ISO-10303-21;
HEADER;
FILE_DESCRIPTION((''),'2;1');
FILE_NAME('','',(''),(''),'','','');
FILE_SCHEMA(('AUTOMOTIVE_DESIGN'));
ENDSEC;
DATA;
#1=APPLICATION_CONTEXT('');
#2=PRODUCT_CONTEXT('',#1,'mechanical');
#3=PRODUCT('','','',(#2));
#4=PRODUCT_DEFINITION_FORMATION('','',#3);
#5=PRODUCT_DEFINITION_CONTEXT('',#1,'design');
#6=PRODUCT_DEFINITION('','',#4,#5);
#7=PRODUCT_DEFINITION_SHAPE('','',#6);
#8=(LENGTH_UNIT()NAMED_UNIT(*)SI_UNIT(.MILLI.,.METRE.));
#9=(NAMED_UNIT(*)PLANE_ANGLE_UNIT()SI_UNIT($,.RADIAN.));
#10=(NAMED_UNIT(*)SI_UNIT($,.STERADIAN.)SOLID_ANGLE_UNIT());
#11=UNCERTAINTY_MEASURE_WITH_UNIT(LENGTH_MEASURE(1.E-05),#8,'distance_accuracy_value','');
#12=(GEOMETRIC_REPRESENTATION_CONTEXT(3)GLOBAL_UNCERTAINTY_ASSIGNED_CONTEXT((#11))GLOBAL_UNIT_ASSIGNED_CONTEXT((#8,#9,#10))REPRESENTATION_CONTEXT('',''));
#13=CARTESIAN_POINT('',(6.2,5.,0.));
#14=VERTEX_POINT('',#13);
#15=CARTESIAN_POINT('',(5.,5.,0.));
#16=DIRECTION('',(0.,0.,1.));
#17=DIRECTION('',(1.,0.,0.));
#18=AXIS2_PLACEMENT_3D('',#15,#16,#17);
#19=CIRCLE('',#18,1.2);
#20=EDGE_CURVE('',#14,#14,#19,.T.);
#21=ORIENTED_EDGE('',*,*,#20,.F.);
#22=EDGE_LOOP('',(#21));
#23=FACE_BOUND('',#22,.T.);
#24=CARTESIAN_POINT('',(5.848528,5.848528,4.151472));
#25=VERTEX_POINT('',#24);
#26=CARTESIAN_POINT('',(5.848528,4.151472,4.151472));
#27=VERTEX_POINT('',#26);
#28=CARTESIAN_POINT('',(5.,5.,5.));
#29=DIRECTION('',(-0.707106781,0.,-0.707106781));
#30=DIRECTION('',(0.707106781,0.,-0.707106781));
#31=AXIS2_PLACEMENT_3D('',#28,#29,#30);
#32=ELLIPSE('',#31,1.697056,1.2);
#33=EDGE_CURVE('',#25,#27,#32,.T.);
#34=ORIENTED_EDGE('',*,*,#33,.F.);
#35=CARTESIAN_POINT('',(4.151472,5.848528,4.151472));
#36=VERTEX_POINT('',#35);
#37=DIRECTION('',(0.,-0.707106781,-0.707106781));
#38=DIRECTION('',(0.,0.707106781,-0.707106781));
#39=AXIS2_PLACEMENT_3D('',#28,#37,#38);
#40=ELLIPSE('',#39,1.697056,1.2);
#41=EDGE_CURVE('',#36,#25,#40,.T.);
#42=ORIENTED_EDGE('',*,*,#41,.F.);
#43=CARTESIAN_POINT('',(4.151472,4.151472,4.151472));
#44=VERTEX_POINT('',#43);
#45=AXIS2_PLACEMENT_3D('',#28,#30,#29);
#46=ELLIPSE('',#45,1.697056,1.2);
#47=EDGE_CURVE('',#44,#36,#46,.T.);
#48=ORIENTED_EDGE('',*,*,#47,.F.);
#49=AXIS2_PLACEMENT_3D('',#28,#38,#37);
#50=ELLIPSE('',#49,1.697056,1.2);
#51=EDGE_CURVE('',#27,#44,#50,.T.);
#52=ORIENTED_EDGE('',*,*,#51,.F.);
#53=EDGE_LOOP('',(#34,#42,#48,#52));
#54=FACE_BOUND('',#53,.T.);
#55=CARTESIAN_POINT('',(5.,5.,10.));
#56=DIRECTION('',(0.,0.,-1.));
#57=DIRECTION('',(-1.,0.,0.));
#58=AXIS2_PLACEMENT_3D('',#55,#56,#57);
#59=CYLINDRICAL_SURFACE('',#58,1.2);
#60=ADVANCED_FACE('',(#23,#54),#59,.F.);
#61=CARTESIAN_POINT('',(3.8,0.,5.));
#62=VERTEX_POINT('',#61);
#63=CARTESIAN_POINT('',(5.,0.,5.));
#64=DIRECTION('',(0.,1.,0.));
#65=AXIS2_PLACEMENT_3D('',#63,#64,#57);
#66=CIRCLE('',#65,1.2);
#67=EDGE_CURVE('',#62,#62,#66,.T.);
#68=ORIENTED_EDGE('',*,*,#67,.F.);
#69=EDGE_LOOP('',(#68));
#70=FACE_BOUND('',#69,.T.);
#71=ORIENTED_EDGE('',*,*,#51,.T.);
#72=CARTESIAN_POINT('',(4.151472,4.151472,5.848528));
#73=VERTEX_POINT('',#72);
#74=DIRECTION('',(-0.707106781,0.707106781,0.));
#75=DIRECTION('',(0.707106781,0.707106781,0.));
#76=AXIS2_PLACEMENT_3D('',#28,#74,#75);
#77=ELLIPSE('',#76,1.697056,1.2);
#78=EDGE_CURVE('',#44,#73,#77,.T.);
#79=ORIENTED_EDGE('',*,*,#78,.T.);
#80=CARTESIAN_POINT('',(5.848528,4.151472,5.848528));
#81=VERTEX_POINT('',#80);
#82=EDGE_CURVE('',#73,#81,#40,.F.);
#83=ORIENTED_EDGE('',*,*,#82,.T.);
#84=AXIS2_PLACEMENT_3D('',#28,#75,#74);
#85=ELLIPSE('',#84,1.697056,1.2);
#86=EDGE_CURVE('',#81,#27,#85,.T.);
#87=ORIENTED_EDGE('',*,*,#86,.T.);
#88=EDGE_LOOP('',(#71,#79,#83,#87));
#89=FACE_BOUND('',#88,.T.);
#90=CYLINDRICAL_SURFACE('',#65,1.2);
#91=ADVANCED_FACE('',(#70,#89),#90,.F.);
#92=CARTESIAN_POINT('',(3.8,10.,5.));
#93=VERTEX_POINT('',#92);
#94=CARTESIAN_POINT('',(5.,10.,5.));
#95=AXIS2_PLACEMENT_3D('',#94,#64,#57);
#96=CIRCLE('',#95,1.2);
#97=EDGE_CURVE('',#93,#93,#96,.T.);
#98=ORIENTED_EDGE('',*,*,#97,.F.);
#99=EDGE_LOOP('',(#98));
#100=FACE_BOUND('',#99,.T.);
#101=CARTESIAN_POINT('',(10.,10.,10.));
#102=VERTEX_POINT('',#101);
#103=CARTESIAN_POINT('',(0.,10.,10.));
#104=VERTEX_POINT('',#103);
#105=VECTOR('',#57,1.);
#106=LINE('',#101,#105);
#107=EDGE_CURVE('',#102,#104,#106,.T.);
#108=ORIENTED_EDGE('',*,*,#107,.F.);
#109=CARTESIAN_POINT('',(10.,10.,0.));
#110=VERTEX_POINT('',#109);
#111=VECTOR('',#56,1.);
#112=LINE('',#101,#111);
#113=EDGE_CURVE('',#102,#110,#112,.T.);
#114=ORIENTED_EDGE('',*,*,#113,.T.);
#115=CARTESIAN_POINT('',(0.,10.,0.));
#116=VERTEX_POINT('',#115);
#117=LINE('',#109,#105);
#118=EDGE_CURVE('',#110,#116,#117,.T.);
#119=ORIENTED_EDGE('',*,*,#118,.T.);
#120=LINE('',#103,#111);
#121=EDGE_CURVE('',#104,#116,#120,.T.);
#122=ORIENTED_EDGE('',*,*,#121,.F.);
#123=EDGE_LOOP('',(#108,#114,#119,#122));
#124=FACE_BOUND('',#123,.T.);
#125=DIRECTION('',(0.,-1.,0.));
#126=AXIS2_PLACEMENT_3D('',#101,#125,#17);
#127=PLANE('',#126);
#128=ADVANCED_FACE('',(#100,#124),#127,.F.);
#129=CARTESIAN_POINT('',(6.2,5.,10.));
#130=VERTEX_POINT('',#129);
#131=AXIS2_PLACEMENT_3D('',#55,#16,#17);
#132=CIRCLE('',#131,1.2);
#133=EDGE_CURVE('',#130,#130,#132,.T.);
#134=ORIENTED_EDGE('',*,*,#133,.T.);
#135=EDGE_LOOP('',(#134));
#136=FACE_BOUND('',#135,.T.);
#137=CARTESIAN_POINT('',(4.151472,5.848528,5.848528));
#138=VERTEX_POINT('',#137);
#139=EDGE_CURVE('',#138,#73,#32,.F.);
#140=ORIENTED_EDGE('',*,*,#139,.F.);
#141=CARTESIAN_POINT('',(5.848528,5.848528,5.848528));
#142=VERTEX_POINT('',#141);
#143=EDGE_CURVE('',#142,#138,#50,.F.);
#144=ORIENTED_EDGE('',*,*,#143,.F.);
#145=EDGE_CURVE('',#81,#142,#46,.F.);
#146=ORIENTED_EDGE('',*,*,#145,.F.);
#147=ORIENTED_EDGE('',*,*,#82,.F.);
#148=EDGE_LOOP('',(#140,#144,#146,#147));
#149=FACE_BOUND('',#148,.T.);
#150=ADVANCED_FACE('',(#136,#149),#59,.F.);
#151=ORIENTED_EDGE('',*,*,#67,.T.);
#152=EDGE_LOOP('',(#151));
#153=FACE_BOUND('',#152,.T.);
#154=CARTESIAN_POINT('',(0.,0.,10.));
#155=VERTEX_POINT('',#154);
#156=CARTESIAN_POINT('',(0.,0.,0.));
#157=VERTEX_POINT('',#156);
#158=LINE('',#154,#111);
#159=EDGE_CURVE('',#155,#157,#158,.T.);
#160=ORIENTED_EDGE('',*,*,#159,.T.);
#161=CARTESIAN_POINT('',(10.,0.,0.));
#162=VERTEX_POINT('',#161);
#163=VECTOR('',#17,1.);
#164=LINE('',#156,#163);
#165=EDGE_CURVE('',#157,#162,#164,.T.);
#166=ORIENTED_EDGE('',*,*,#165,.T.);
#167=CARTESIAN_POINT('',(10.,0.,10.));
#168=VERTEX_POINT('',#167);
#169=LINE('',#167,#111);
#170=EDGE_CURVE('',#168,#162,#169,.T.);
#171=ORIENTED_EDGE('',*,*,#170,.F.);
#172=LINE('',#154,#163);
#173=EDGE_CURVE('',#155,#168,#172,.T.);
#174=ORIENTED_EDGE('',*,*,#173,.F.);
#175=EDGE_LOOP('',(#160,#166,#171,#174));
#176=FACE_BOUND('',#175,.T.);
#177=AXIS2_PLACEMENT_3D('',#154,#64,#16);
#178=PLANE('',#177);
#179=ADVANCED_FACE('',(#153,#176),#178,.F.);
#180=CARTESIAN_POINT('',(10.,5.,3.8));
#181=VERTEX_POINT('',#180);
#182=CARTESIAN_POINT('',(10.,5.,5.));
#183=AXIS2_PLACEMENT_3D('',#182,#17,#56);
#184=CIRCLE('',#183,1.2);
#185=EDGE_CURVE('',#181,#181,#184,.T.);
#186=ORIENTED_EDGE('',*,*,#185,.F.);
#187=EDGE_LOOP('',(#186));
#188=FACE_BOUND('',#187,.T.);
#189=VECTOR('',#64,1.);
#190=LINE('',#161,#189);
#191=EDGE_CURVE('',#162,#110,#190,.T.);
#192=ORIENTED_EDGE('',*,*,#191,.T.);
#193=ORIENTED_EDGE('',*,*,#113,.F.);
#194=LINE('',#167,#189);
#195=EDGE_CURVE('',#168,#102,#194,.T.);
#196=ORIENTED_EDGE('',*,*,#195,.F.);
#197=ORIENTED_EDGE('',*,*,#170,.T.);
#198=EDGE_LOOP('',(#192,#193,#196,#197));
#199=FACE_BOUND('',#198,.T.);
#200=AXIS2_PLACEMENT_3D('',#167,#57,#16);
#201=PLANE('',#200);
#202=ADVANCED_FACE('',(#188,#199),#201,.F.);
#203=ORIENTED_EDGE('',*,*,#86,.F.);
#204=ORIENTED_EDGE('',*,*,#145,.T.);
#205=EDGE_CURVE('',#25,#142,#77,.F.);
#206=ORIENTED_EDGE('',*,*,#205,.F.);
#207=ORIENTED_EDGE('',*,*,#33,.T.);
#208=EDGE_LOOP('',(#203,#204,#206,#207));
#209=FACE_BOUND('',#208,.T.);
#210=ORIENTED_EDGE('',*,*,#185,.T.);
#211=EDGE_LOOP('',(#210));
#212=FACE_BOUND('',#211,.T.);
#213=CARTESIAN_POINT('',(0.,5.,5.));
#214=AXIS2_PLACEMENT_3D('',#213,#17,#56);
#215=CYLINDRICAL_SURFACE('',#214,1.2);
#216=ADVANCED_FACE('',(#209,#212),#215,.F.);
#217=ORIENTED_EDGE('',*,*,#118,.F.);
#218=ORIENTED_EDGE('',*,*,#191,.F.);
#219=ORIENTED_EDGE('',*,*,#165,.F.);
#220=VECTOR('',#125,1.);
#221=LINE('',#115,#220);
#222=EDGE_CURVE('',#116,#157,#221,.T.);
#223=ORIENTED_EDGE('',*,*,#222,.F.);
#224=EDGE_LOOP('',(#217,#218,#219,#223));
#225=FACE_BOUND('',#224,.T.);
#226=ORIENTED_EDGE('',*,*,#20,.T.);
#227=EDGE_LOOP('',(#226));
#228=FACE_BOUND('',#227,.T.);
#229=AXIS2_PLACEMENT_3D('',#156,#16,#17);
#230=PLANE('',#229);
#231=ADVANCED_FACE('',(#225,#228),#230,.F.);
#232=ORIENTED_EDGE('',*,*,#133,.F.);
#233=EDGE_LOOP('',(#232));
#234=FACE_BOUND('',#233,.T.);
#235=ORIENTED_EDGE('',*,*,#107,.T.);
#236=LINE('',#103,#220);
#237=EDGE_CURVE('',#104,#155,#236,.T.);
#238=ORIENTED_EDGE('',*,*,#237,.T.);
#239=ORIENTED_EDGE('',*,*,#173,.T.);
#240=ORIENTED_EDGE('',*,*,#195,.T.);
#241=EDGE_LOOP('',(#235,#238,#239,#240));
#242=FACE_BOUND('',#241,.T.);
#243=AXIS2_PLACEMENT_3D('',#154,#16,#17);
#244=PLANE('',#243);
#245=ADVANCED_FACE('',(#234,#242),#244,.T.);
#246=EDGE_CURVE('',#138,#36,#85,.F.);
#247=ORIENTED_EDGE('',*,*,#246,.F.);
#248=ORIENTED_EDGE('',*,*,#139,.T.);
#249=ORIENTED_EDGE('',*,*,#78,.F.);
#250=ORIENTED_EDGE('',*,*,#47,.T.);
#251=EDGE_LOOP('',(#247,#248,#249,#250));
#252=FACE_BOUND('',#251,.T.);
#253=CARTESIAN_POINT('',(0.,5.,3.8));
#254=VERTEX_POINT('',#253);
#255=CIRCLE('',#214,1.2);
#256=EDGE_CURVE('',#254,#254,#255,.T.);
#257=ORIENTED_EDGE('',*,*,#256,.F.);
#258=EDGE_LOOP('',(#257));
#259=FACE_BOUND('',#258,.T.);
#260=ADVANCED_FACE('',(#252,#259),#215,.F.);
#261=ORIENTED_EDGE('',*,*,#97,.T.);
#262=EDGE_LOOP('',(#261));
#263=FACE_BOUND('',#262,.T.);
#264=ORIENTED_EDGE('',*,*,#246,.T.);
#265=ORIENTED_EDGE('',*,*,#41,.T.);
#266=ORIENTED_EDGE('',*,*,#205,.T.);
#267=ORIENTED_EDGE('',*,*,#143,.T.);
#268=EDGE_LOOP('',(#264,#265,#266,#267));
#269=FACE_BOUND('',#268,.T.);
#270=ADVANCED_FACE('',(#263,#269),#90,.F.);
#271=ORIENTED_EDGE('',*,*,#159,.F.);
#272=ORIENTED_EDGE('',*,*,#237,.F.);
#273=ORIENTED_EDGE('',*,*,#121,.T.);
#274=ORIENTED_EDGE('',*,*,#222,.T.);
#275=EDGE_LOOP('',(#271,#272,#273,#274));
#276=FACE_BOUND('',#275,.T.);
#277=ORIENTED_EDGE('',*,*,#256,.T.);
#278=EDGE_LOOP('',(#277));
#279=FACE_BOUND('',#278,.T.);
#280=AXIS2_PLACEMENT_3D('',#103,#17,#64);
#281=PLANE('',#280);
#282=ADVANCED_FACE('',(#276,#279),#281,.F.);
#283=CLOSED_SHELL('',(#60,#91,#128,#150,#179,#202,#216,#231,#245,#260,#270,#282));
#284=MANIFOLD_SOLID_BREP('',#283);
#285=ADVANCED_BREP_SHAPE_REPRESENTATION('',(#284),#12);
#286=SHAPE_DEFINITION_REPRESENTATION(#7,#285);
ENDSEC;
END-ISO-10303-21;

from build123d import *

# Parameters (mm, degrees)
SKETCH_1_W          = 10
SKETCH_1_H          = 10
SKETCH_1_R          = 1.2
EXTRUDE_1_DEPTH     = 10
SKETCH_2_R          = 1.2
CUT_EXTRUDE_1_DEPTH = 18.320508076
SKETCH_3_R          = 1.2
CUT_EXTRUDE_2_DEPTH = 10


with BuildPart() as part:
    # 草图1 → 凸台-拉伸1 (new body)
    with BuildSketch(Plane.XY):
        with Locations((5, 5)):
            Rectangle(SKETCH_1_W, SKETCH_1_H)
        with Locations((5, 5)):
            Circle(SKETCH_1_R, mode=Mode.SUBTRACT)
    extrude(amount=EXTRUDE_1_DEPTH)

    # 草图2 → 切除-拉伸1 (cut, through all)
    with BuildSketch(Plane(origin=(0, 10, 0), x_dir=(1, 0, 0), z_dir=(0, 1, 0))):
        with Locations(Location((5, -5, 0), (0, 0, 180))):
            Circle(SKETCH_2_R)
    extrude(amount=-CUT_EXTRUDE_1_DEPTH, mode=Mode.SUBTRACT)

    # 草图3 → 切除-拉伸2 (cut)
    with BuildSketch(Plane(origin=(10, 0, 0), x_dir=(0, 0, -1), z_dir=(1, 0, 0))):
        with Locations((-5, 5)):
            Circle(SKETCH_3_R)
    extrude(amount=-CUT_EXTRUDE_2_DEPTH, mode=Mode.SUBTRACT)


solid = part.part
